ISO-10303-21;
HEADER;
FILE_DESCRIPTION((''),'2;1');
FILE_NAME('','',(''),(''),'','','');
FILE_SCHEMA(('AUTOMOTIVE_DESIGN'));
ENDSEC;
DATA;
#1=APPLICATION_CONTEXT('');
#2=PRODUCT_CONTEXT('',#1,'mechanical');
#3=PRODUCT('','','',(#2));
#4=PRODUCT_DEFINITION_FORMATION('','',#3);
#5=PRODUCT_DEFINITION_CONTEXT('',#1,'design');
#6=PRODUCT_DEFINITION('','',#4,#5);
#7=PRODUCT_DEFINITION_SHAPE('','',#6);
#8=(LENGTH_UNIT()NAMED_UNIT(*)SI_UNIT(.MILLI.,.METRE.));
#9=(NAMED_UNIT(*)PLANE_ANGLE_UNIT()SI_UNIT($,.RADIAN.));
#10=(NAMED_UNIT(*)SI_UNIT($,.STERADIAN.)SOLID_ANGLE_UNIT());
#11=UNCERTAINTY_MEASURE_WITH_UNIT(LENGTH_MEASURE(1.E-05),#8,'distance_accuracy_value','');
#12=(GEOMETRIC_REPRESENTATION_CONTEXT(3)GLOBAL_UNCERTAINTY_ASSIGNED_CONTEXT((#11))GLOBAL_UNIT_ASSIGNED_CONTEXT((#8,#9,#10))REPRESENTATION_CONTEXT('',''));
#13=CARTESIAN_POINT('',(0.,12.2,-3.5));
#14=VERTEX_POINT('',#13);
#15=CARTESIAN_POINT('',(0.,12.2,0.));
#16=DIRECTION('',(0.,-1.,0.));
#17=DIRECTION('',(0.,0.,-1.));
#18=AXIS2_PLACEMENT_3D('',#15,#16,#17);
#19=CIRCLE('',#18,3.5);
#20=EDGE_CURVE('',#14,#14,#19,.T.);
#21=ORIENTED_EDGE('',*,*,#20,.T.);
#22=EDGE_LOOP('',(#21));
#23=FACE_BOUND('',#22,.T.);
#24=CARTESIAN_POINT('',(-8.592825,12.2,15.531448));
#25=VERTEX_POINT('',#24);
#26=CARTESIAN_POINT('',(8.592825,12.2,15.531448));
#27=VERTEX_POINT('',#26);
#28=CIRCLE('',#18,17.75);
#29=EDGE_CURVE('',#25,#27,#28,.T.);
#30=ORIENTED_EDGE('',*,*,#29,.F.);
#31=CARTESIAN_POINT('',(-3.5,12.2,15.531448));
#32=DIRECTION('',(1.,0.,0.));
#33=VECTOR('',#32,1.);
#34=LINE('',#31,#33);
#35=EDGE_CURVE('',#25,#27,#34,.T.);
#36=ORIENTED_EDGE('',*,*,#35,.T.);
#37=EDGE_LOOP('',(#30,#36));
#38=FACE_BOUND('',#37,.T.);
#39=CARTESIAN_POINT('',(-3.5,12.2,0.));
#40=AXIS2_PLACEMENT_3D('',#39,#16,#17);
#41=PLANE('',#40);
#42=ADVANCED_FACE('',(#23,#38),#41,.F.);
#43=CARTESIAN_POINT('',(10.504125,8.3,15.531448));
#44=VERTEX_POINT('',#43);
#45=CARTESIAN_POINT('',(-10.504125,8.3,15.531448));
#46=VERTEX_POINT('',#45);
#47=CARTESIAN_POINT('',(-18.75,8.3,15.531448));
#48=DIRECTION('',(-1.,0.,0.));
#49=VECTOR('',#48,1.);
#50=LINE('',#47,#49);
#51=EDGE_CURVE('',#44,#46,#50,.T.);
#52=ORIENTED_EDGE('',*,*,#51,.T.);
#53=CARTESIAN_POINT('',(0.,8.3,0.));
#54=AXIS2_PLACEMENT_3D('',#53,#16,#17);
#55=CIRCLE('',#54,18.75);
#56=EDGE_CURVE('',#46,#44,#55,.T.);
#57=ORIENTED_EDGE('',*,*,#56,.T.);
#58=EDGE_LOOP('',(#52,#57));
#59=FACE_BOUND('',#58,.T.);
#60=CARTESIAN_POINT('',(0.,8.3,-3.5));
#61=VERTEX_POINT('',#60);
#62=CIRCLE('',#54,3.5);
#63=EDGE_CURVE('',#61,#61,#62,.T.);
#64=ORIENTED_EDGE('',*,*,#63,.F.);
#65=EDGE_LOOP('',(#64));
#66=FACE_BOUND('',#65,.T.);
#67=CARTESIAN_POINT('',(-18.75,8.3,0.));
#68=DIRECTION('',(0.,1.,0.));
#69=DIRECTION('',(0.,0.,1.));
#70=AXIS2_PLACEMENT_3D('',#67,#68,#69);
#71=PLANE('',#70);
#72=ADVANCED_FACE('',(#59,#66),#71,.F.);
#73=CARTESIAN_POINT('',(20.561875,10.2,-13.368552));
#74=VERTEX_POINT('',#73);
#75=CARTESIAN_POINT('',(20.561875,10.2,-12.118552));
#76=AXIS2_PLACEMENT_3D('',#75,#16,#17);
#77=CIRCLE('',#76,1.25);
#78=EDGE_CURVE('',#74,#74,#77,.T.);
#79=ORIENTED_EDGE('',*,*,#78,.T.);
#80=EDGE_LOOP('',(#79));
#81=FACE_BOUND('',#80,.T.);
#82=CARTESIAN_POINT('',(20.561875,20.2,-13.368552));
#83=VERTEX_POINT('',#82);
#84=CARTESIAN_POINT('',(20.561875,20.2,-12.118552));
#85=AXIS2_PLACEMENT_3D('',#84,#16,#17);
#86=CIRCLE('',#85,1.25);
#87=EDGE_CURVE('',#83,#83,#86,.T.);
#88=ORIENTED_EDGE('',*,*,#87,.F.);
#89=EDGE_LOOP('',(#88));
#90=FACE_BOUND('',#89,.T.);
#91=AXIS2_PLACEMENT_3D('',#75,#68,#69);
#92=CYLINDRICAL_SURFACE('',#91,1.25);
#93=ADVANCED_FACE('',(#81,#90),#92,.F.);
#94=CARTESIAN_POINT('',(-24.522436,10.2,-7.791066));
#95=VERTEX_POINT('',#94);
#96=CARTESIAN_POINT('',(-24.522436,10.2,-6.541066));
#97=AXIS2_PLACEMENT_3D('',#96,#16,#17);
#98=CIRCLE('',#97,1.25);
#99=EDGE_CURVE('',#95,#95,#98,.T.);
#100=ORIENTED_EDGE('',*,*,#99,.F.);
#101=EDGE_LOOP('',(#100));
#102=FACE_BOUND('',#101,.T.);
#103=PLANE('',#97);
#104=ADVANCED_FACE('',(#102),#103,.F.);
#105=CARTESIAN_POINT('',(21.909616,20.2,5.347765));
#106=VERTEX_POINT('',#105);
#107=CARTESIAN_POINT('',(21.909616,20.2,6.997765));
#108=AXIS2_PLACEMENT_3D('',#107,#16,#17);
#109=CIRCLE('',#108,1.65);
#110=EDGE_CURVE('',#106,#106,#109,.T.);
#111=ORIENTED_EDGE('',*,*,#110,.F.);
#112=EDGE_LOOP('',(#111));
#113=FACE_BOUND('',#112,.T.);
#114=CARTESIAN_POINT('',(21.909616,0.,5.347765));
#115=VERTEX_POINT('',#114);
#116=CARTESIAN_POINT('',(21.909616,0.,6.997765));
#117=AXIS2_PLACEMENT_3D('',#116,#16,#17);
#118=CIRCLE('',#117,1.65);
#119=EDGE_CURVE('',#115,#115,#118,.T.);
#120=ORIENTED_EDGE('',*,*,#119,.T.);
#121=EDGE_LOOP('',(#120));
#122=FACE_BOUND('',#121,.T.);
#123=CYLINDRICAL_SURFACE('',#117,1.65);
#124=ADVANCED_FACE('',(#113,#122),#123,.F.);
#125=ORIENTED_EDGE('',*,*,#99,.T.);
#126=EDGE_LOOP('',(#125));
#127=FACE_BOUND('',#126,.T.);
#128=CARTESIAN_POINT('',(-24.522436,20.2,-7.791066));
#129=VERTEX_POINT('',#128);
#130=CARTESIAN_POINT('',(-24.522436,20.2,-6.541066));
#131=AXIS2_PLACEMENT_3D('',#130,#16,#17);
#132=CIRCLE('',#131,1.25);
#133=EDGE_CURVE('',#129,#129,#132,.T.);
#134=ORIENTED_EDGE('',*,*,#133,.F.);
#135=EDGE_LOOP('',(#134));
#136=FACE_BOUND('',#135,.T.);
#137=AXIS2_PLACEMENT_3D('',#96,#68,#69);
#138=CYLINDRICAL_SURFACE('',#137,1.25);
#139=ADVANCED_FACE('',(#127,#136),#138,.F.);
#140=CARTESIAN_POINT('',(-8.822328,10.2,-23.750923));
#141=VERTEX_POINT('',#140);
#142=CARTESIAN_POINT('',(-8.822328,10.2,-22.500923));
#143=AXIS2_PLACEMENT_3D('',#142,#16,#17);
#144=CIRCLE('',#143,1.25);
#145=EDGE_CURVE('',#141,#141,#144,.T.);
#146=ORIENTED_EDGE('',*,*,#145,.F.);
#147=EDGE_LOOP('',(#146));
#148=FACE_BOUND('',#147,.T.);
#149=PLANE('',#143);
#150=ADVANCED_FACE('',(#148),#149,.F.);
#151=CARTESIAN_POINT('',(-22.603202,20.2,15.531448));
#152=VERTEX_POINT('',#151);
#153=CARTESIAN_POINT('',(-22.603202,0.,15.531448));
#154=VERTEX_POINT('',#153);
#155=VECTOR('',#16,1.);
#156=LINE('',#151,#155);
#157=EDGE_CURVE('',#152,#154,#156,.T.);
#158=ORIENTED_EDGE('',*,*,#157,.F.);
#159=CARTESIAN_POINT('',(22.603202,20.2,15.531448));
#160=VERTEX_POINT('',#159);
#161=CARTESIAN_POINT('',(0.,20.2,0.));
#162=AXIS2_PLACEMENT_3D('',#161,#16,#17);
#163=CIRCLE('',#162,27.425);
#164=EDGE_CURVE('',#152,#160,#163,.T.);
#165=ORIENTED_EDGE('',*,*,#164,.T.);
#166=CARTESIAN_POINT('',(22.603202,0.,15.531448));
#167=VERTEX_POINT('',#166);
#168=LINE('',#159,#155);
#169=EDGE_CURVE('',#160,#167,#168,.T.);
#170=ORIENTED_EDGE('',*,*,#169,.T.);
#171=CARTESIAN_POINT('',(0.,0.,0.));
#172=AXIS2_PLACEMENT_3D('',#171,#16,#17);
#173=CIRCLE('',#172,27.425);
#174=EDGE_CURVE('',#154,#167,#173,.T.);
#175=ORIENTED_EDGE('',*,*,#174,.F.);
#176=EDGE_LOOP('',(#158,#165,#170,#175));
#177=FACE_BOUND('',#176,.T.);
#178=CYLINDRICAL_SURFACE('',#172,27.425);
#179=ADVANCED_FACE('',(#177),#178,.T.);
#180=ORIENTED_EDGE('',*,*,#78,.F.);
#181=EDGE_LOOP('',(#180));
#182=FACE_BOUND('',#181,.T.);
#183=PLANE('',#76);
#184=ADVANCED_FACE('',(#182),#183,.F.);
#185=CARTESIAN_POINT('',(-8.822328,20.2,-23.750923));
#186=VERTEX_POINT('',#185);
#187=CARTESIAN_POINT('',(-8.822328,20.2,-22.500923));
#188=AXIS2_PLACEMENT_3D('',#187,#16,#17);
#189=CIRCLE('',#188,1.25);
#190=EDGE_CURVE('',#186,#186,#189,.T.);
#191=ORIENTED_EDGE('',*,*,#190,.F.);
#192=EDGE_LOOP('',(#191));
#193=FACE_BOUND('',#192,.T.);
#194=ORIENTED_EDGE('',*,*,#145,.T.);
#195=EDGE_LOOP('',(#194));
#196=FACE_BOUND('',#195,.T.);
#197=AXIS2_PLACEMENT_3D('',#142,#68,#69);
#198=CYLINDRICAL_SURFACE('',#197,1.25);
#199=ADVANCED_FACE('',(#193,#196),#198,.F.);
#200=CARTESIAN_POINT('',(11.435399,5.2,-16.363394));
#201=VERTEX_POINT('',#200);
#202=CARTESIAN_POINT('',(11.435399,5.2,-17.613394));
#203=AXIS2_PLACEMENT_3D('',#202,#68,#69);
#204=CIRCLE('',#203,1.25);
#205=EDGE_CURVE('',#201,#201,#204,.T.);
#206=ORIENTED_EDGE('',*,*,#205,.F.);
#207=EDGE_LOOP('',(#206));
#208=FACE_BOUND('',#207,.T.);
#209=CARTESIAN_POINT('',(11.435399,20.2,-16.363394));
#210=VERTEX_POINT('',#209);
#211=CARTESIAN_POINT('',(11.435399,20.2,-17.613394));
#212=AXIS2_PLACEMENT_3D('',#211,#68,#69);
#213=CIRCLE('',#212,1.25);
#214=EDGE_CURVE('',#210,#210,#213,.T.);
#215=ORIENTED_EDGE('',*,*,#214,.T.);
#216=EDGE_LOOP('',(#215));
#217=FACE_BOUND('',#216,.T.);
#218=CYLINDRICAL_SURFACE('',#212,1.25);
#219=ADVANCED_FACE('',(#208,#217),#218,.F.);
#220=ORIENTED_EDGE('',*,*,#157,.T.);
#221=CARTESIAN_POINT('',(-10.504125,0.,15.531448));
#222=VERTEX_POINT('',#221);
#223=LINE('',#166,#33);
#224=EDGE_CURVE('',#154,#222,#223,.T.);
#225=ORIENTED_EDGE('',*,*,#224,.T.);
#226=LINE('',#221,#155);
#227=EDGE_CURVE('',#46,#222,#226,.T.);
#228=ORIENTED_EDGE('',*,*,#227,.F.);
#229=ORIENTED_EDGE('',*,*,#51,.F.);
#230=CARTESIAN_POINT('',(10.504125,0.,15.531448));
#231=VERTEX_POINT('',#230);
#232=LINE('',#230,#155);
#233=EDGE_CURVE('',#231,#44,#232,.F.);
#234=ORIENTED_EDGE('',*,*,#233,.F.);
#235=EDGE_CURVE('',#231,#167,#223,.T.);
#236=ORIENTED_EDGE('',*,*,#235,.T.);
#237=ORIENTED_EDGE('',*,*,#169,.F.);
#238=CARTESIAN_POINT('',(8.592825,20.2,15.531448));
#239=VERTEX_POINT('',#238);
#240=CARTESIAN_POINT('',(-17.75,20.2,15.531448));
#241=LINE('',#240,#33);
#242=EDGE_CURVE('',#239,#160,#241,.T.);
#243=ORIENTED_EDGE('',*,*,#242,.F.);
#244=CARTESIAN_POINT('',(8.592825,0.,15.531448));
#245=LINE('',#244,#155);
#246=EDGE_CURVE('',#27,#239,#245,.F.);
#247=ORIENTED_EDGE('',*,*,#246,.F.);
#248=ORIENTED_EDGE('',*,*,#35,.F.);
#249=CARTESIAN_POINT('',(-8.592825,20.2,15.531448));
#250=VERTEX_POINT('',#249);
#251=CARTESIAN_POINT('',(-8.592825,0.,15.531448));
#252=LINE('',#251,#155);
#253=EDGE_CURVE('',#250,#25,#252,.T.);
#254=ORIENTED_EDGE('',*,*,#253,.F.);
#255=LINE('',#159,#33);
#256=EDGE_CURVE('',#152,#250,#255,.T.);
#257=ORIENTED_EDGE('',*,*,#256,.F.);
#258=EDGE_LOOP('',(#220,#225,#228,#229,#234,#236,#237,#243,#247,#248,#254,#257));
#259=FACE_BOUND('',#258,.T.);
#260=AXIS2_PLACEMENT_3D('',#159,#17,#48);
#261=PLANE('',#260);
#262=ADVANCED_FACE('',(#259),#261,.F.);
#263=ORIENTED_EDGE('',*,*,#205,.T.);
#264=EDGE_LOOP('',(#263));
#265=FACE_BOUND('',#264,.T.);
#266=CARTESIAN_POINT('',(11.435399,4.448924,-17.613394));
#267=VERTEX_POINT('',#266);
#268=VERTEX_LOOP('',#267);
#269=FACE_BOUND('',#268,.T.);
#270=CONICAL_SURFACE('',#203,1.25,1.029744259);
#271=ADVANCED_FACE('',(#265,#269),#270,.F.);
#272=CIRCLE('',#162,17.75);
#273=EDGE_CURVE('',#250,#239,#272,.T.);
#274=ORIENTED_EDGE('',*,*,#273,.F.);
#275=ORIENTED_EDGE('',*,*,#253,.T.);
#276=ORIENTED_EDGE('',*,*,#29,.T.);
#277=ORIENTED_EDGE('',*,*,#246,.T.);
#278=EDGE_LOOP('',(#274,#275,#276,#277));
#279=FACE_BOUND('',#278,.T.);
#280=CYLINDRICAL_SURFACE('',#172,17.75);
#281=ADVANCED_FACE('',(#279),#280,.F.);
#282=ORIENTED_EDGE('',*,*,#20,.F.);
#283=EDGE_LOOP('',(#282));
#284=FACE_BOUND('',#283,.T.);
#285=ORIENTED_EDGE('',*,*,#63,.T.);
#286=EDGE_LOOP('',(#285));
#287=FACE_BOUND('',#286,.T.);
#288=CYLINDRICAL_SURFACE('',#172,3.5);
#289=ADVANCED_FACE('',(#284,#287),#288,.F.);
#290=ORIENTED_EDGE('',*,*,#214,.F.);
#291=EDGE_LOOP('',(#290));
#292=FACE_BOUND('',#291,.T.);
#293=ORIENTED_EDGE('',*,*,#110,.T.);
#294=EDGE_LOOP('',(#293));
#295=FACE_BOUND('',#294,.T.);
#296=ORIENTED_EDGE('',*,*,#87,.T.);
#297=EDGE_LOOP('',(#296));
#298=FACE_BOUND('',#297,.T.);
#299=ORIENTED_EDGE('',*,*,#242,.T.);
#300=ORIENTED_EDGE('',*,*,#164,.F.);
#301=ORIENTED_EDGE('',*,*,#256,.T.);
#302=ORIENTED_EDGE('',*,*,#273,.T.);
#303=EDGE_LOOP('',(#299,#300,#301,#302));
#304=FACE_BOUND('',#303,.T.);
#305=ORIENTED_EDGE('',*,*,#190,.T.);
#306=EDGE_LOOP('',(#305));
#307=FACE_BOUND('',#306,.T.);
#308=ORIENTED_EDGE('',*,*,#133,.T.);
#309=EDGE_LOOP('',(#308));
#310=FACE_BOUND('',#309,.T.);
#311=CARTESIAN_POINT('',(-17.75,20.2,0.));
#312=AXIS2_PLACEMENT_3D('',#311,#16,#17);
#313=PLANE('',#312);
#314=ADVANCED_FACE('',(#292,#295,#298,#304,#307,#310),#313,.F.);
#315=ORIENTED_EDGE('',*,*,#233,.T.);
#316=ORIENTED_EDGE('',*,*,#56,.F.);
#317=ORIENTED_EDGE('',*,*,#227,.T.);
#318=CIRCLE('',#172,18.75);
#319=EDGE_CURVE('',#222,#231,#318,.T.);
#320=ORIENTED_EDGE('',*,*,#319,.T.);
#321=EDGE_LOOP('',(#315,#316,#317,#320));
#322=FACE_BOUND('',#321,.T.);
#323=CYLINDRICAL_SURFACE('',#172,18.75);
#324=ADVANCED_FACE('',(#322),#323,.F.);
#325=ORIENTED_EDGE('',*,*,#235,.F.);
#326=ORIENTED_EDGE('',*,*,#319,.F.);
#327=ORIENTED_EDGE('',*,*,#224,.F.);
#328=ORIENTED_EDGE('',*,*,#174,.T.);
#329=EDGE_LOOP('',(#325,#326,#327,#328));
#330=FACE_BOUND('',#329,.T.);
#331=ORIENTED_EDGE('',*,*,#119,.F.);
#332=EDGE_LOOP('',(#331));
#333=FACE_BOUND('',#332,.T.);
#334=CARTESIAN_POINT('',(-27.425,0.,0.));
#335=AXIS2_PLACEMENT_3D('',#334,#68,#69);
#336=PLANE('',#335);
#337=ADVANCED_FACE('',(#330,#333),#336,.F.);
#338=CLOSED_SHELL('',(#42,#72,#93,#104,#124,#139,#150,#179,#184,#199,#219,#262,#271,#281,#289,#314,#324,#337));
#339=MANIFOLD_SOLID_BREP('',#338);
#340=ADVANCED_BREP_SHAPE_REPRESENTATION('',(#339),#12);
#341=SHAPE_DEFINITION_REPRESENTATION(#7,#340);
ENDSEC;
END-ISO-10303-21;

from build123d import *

# Parameters (mm, degrees)
SKETCH_2_W            = 45.206404826
SKETCH_2_H            = 11.893552363
CUT_EXTRUDE_1_DEPTH   = 44.729866796
M3_TAPPED_HOLE1_D     = 2.5
M3_TAPPED_HOLE1_DEPTH = 15
M3_TAPPED_HOLE1_TIP   = 0.751075774
CUT_EXTRUDE_START     = -20.2
SKETCH_6_R            = 1.25
CUT_EXTRUDE_3_DEPTH   = 10
M4X0_7_TAPPED_HOLE1_D = 3.3


with BuildPart() as part:
    # Эскиз1 → Повернуть1 (revolve)
    with BuildSketch(Plane.XY, mode=Mode.PRIVATE) as revolve_1_sk:
        Polygon((-27.425, 0), (-18.75, 0), (-18.75, 8.3), (-3.5, 8.3), (-3.5, 12.2), (-17.75, 12.2), (-17.75, 20.2), (-27.425, 20.2), align=None)
    revolve(revolve_1_sk.sketch.rotate(Axis((0, 0, 0), (0, 1, 0)), 270), axis=Axis((0, 0, 0), (0, 1, 0)))

    # Эскиз2 → Вырез-Вытянуть1 (cut, through all)
    with BuildSketch(Plane.XZ):
        with Locations((0, 21.478223819)):
            Rectangle(SKETCH_2_W, SKETCH_2_H)
    extrude(amount=-CUT_EXTRUDE_1_DEPTH, mode=Mode.SUBTRACT)

    # M3 Tapped Hole1
    with Locations(Plane(origin=(0, 20.2, 0), x_dir=(1, 0, 0), z_dir=(0, 1, 0))):
        with Locations((11.435398966, 17.613394065)):
            Hole(M3_TAPPED_HOLE1_D / 2, depth=M3_TAPPED_HOLE1_DEPTH)
            with Locations((0, 0, -(M3_TAPPED_HOLE1_DEPTH + M3_TAPPED_HOLE1_TIP / 2))):  # 118° drill point
                Cone(0, M3_TAPPED_HOLE1_D / 2, M3_TAPPED_HOLE1_TIP, mode=Mode.SUBTRACT)

    # Эскиз6 → Вырез-Вытянуть3 (cut)
    with BuildSketch(Plane.XZ.offset(CUT_EXTRUDE_START)):
        with Locations(Location((20.561874638, -12.118552363, 0), (0, 0, 270))):
            Circle(SKETCH_6_R)
        with Locations(Location((-8.822328368, -22.500922696, 0), (0, 0, 270))):
            Circle(SKETCH_6_R)
        with Locations(Location((-24.522435774, -6.541065947, 0), (0, 0, 270))):
            Circle(SKETCH_6_R)
    extrude(amount=CUT_EXTRUDE_3_DEPTH, mode=Mode.SUBTRACT)

    # M4x0.7 Tapped Hole1 (through all)
    with Locations(Plane(origin=(0, 0, 0), x_dir=(-1, 0, 0), z_dir=(0, -1, 0))):
        with Locations((-21.909616243, -6.997765079)):
            Hole(M4X0_7_TAPPED_HOLE1_D / 2)


solid = part.part
